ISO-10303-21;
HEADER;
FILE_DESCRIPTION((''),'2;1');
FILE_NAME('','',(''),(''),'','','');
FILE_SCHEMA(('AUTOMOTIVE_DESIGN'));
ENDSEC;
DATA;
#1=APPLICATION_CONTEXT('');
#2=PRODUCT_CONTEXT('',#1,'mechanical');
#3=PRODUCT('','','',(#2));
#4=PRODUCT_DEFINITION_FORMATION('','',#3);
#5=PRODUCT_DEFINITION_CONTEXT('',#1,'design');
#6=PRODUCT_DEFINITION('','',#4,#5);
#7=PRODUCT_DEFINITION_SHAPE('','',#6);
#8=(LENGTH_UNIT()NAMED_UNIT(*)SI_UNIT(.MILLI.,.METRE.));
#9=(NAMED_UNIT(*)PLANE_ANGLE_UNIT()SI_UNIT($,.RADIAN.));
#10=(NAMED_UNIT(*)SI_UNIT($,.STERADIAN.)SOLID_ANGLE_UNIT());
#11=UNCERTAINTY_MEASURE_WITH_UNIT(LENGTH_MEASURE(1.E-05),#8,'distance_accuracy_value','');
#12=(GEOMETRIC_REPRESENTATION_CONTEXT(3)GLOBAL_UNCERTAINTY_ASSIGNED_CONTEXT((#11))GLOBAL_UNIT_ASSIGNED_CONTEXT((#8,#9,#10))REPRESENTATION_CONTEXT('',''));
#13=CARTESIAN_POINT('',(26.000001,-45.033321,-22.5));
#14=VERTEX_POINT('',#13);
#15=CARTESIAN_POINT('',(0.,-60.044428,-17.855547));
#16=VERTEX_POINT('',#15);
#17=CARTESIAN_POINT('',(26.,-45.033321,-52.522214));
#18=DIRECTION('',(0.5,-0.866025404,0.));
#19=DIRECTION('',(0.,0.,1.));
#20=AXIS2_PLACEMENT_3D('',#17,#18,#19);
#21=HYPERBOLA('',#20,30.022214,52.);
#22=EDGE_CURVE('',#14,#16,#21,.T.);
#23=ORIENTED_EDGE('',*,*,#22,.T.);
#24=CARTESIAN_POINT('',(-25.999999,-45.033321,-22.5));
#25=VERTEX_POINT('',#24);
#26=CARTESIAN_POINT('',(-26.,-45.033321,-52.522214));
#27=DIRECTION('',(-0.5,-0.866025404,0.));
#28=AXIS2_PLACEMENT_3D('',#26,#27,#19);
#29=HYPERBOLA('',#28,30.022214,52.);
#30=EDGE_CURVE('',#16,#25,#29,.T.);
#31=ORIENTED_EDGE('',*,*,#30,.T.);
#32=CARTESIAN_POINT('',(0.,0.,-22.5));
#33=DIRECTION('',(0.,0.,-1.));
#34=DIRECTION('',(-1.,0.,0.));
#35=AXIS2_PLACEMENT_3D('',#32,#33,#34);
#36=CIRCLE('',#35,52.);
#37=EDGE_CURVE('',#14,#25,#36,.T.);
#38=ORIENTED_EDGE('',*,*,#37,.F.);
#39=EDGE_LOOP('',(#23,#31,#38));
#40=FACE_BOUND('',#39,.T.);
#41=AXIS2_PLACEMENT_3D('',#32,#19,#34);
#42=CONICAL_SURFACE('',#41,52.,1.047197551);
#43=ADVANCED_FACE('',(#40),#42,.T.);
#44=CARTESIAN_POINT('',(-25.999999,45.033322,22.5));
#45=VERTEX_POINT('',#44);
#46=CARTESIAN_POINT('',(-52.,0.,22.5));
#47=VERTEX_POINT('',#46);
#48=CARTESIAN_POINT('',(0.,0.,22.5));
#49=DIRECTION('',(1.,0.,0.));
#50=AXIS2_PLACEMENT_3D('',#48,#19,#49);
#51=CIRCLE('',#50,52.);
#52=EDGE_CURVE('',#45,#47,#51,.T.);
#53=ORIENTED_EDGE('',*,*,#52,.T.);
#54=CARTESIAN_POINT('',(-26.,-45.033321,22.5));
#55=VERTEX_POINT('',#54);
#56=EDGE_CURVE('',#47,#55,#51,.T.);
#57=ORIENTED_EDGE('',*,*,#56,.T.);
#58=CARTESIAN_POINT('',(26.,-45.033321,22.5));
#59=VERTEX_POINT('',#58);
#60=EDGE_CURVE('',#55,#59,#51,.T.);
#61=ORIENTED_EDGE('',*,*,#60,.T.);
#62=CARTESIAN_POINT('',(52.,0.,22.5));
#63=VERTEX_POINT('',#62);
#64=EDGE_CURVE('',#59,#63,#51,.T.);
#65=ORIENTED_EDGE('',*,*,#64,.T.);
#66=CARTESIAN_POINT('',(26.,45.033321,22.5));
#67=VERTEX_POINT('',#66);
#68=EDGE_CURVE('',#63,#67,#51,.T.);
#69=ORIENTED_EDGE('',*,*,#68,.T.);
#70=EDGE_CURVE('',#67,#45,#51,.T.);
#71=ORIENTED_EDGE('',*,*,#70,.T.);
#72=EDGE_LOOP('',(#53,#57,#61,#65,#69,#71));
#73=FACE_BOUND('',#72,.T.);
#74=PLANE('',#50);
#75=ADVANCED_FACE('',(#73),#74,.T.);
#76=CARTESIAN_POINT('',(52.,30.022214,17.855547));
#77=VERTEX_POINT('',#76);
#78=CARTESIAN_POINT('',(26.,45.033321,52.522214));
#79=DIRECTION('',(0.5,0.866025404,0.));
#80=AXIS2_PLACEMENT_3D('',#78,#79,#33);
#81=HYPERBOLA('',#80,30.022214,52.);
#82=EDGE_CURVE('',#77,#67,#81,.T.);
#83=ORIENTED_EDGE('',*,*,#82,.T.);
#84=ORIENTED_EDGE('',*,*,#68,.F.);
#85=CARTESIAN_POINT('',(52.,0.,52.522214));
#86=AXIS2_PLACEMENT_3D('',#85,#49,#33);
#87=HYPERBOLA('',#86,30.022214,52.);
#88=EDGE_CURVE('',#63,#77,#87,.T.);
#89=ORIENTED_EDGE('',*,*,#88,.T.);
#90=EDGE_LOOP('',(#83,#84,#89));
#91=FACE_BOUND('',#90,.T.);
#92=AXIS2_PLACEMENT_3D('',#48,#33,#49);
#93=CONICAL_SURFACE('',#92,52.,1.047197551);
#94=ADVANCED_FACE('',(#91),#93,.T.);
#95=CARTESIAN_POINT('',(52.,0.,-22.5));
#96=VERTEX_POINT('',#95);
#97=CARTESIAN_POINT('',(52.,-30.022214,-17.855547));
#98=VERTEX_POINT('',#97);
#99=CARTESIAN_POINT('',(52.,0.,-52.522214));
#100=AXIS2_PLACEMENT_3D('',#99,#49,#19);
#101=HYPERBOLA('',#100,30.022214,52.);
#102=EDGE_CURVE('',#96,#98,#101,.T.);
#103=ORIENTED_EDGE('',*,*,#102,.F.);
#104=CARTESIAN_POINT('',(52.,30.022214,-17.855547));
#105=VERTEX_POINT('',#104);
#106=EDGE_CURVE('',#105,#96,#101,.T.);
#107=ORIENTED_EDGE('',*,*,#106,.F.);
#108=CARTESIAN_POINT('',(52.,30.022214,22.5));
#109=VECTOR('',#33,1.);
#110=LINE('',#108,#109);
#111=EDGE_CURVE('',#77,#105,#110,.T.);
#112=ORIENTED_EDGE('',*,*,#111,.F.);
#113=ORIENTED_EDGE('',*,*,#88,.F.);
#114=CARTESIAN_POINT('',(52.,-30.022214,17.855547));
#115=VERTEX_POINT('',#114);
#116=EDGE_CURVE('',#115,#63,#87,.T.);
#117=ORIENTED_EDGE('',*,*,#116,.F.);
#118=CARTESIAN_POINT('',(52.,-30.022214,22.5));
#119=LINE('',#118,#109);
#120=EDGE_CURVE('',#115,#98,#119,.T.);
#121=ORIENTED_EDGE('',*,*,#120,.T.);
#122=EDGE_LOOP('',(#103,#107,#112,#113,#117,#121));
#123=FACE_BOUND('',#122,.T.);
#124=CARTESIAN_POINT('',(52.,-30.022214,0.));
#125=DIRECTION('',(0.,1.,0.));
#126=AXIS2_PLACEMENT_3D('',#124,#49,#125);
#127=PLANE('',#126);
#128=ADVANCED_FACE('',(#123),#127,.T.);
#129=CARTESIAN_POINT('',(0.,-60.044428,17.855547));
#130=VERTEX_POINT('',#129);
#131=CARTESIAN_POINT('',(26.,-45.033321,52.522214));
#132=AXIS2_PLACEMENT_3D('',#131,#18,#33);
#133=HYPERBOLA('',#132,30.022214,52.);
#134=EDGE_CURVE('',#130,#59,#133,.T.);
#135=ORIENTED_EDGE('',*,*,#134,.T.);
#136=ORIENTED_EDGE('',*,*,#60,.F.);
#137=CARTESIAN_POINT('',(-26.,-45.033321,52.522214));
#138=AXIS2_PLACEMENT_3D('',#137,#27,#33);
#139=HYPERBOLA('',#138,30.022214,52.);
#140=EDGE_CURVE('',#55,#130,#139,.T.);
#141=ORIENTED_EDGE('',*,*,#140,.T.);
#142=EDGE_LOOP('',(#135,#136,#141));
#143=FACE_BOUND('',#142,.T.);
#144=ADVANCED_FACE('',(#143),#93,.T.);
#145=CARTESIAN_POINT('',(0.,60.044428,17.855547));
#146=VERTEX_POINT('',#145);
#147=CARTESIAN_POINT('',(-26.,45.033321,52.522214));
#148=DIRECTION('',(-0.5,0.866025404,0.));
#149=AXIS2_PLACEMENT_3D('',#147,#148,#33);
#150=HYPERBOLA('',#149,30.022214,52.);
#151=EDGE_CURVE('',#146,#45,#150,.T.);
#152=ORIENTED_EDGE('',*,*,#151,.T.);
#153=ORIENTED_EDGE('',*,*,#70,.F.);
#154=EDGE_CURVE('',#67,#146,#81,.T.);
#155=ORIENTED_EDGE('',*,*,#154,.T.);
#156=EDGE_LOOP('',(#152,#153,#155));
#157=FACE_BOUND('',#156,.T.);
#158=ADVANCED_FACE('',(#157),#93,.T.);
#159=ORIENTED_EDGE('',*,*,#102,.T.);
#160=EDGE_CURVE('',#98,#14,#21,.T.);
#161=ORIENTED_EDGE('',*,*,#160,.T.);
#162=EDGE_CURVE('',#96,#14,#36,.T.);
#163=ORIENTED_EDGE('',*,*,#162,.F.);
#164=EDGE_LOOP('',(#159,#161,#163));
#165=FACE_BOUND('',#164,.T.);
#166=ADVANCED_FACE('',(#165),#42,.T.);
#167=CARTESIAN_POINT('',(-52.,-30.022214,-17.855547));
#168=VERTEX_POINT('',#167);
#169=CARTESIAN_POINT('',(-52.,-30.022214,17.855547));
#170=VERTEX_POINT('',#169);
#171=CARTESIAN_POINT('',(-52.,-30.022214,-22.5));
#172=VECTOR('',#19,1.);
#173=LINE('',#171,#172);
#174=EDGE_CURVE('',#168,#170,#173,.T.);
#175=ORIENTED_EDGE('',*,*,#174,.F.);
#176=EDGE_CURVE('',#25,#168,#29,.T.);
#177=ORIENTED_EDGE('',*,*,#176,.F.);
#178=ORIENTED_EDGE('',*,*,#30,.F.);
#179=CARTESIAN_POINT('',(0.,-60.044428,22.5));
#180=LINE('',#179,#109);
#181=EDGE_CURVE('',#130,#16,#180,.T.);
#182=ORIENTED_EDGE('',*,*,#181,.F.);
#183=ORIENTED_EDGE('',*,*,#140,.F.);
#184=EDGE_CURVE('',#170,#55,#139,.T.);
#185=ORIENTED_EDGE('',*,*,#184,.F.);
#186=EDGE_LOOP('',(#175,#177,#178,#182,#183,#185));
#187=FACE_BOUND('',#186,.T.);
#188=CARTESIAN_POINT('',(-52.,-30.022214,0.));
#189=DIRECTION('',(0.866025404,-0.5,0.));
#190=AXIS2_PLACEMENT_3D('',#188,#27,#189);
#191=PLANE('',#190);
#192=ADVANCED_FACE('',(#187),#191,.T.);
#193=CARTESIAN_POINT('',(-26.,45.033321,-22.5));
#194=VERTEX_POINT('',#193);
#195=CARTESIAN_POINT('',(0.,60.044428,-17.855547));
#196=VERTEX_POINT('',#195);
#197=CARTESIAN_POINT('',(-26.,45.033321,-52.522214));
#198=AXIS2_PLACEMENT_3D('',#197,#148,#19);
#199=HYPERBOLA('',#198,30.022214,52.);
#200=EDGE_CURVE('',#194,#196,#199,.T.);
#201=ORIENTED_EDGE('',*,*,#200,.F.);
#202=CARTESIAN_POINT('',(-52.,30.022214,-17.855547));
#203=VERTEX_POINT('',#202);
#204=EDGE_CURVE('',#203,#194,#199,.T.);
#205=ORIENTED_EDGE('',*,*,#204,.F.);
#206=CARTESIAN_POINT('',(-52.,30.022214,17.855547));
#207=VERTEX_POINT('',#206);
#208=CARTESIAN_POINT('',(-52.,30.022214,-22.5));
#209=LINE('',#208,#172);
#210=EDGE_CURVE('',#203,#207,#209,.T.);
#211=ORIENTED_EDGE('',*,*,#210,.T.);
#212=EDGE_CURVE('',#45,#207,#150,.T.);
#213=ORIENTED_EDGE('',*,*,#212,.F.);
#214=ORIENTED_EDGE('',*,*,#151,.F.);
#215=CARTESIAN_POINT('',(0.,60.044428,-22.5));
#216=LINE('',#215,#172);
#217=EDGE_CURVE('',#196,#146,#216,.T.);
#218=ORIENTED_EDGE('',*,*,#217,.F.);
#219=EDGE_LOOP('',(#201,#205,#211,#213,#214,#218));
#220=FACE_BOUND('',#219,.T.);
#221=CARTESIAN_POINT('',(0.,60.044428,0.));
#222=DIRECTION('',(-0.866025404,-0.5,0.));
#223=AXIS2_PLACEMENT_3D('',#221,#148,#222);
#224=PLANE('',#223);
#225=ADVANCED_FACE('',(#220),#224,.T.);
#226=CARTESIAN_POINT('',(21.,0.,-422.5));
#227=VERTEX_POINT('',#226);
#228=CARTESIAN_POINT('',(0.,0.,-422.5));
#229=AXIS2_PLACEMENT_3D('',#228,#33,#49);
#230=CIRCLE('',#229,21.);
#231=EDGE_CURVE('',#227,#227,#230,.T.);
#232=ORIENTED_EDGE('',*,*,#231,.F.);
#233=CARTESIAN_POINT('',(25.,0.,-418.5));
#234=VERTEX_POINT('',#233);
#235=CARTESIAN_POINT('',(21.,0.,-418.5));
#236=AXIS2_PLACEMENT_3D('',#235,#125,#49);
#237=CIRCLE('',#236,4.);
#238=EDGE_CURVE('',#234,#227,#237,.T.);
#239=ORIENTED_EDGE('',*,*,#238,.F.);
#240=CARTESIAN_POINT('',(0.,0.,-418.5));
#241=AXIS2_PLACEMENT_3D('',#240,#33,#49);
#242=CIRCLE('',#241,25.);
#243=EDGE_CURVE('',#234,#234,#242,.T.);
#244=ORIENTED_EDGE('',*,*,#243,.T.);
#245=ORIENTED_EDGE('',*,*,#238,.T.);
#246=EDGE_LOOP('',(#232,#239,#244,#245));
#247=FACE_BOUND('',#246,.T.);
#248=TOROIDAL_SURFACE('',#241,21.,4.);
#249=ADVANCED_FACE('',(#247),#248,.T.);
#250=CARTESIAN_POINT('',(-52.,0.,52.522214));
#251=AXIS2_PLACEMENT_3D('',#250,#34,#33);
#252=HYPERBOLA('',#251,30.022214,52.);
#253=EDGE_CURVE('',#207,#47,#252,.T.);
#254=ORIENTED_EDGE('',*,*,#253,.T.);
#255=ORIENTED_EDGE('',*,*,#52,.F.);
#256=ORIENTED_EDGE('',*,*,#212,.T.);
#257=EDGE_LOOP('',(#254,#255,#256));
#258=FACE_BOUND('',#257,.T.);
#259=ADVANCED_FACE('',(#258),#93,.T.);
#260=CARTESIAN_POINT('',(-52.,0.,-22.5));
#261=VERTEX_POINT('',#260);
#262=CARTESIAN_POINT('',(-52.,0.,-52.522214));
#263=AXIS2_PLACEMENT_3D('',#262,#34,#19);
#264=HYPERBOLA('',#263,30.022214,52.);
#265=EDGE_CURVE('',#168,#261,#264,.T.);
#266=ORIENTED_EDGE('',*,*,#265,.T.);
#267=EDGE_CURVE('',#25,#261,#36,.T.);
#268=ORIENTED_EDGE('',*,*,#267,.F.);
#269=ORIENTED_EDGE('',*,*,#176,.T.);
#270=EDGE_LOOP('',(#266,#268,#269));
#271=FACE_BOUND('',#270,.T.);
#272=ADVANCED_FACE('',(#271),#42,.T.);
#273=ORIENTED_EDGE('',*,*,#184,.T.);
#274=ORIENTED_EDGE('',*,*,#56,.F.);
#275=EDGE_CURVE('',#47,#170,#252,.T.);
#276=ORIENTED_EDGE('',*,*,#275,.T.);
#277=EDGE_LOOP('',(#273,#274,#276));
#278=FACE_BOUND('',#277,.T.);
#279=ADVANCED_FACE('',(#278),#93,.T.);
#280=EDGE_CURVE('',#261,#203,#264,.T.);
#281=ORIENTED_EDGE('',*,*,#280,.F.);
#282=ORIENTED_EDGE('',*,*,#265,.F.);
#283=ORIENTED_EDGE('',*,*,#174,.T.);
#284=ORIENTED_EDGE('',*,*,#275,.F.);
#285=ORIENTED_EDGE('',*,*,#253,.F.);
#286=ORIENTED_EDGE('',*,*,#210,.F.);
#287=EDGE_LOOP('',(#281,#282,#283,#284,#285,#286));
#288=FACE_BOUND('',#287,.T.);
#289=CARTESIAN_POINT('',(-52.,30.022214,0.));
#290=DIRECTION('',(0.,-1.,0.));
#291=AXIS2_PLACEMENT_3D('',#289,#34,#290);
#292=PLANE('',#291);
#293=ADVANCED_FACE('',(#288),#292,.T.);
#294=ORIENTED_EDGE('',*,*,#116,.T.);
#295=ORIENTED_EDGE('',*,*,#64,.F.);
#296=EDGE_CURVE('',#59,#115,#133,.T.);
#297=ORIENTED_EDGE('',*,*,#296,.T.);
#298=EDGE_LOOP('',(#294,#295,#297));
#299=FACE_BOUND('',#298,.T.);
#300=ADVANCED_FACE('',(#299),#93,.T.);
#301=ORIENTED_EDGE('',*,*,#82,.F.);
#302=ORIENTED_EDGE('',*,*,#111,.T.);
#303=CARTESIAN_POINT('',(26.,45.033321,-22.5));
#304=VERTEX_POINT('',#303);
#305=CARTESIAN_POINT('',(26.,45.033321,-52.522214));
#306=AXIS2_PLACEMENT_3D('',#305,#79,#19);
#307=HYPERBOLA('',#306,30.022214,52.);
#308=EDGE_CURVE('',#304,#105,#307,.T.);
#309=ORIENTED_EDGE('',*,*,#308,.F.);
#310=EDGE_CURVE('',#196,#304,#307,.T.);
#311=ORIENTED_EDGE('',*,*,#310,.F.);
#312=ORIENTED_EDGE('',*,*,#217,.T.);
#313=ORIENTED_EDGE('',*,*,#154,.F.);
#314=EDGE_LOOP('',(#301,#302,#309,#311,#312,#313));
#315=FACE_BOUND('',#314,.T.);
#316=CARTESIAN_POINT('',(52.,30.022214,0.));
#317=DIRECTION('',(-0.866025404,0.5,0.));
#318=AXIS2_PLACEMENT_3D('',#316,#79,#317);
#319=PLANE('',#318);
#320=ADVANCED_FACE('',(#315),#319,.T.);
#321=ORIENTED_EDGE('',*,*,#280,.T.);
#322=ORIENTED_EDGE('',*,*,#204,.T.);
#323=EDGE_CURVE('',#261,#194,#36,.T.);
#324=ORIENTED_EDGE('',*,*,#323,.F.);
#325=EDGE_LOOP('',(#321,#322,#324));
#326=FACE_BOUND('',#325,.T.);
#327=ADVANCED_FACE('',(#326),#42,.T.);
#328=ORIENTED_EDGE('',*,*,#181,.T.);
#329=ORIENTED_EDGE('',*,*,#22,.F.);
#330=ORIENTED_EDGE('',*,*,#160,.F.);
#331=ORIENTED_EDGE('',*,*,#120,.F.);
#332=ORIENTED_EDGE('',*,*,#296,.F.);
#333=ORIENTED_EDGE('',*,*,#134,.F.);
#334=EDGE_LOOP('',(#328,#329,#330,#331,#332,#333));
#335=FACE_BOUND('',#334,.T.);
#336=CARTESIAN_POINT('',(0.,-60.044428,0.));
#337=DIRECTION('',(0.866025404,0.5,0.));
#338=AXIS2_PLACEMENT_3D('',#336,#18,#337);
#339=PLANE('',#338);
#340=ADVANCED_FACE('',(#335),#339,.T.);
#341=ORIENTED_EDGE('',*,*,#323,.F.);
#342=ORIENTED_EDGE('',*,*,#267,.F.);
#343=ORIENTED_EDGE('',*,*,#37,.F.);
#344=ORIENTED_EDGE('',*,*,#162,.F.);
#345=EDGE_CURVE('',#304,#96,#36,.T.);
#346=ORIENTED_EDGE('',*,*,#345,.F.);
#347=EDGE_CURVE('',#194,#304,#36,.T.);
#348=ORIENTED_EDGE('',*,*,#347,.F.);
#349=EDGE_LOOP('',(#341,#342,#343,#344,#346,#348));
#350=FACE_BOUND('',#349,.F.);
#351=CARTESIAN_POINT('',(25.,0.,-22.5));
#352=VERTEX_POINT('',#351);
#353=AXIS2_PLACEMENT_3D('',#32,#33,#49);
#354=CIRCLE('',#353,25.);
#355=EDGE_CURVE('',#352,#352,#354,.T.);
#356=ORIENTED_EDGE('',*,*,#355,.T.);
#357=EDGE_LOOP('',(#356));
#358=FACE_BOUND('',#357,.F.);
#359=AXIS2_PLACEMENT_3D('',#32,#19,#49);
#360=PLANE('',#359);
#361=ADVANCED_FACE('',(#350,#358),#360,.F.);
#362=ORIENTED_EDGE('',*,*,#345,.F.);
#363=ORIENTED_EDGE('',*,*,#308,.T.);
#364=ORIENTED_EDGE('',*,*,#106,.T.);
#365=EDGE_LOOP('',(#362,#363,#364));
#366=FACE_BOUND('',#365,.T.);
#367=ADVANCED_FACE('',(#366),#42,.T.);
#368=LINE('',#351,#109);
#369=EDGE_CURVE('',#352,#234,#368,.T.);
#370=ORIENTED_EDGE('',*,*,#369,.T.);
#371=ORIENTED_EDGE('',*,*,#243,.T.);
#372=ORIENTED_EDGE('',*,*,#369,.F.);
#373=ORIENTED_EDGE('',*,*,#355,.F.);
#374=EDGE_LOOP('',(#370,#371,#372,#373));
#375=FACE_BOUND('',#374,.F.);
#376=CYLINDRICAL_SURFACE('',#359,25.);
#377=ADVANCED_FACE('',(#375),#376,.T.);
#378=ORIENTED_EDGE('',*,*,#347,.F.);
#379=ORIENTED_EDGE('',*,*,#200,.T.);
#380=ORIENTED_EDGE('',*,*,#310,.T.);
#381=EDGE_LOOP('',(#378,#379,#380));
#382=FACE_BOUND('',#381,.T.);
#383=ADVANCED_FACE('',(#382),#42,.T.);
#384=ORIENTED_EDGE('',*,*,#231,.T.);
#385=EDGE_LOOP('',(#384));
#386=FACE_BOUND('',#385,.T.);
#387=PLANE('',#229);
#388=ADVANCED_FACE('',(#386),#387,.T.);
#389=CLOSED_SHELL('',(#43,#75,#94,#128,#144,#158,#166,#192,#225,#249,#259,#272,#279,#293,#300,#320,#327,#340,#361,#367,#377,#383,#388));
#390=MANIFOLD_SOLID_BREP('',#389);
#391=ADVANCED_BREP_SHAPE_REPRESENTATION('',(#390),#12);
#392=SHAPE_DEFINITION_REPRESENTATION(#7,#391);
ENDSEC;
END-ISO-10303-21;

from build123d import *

# Parameters (mm, degrees)
BOSS_EXTRUDE1_DEPTH = 22.5
SKETCH2_OUTSIDE_W   = 294.908
SKETCH2_OUTSIDE_H   = 310.996
SKETCH2_OUTSIDE_R   = 52
CUT_EXTRUDE1_DEPTH  = 45
CUT_EXTRUDE1_DRAFT  = -60
SKETCH3_OUTSIDE_W   = 294.908
SKETCH3_OUTSIDE_H   = 310.996
SKETCH3_OUTSIDE_R   = 52
CUT_EXTRUDE2_DEPTH  = 45
CUT_EXTRUDE2_DRAFT  = -60
SKETCH4_R           = 25
BOSS_EXTRUDE2_DEPTH = 400
FILLET1_R           = 4


with BuildPart() as part:
    # Sketch1 → Boss-Extrude1 (new, symmetric)
    with BuildSketch(Plane.XY):
        Polygon((52, 30.022213998), (0, 60.044427996), (-52, 30.022213998), (-52, -30.022213998), (0, -60.044427996), (52, -30.022213998), align=None)
    extrude(amount=BOSS_EXTRUDE1_DEPTH, both=True)


with BuildPart() as cut_extrude1_tool:
    # Sketch2 outside → Cut-Extrude1 (with draft: the straight prism first)
    with BuildSketch(Plane.XY.offset(22.5)):
        Rectangle(SKETCH2_OUTSIDE_W, SKETCH2_OUTSIDE_H)
        Circle(SKETCH2_OUTSIDE_R, mode=Mode.SUBTRACT)
    extrude(amount=-CUT_EXTRUDE1_DEPTH)
    # Cut-Extrude1: the draft: its side faces are tilted about the plane it starts from
    cut_extrude1_sides = [cut_extrude1_tool.faces().sort_by_distance(p)[0] for p in [
        (0, -155.498, 0),
        (147.454, 0, 0),
        (0, 155.498, 0),
        (-147.454, 0, 0),
        (-52, 0, 0),
    ]]
    draft(cut_extrude1_sides, Plane.XY.offset(22.5), CUT_EXTRUDE1_DRAFT)


with BuildPart() as part_1:
    add(part.part)

    # Cut-Extrude1: cut by cut_extrude1_tool
    add(cut_extrude1_tool.part, mode=Mode.SUBTRACT)


with BuildPart() as cut_extrude2_tool:
    # Sketch3 outside → Cut-Extrude2 (with draft: the straight prism first)
    with BuildSketch(Plane(origin=(0, 0, -22.5), x_dir=(-1, 0, 0), z_dir=(0, 0, -1))):
        Rectangle(SKETCH3_OUTSIDE_W, SKETCH3_OUTSIDE_H)
        Circle(SKETCH3_OUTSIDE_R, mode=Mode.SUBTRACT)
    extrude(amount=-CUT_EXTRUDE2_DEPTH)
    # Cut-Extrude2: the draft: its side faces are tilted about the plane it starts from
    cut_extrude2_sides = [cut_extrude2_tool.faces().sort_by_distance(p)[0] for p in [
        (0, -155.498, 0),
        (-147.454, 0, 0),
        (0, 155.498, 0),
        (147.454, 0, 0),
        (52, 0, 0),
    ]]
    draft(cut_extrude2_sides, Plane(origin=(0, 0, -22.5), x_dir=(-1, 0, 0), z_dir=(0, 0, -1)), CUT_EXTRUDE2_DRAFT)


with BuildPart() as part_2:
    add(part_1.part)

    # Cut-Extrude2: cut by cut_extrude2_tool
    add(cut_extrude2_tool.part, mode=Mode.SUBTRACT)

    # Sketch4 → Boss-Extrude2 (add)
    with BuildSketch(Plane(origin=(0, 0, -22.5), x_dir=(-1, 0, 0), z_dir=(0, 0, -1))):
        with Locations(Location((0, 0, 0), (0, 0, 180))):
            Circle(SKETCH4_R)
    extrude(amount=BOSS_EXTRUDE2_DEPTH)

    # Fillet1
    fillet1_edges = [part_2.edges().sort_by_distance(p)[0] for p in [
        (-25, 0, -422.5),
    ]]
    fillet(fillet1_edges, radius=FILLET1_R)


solid = part_2.part
